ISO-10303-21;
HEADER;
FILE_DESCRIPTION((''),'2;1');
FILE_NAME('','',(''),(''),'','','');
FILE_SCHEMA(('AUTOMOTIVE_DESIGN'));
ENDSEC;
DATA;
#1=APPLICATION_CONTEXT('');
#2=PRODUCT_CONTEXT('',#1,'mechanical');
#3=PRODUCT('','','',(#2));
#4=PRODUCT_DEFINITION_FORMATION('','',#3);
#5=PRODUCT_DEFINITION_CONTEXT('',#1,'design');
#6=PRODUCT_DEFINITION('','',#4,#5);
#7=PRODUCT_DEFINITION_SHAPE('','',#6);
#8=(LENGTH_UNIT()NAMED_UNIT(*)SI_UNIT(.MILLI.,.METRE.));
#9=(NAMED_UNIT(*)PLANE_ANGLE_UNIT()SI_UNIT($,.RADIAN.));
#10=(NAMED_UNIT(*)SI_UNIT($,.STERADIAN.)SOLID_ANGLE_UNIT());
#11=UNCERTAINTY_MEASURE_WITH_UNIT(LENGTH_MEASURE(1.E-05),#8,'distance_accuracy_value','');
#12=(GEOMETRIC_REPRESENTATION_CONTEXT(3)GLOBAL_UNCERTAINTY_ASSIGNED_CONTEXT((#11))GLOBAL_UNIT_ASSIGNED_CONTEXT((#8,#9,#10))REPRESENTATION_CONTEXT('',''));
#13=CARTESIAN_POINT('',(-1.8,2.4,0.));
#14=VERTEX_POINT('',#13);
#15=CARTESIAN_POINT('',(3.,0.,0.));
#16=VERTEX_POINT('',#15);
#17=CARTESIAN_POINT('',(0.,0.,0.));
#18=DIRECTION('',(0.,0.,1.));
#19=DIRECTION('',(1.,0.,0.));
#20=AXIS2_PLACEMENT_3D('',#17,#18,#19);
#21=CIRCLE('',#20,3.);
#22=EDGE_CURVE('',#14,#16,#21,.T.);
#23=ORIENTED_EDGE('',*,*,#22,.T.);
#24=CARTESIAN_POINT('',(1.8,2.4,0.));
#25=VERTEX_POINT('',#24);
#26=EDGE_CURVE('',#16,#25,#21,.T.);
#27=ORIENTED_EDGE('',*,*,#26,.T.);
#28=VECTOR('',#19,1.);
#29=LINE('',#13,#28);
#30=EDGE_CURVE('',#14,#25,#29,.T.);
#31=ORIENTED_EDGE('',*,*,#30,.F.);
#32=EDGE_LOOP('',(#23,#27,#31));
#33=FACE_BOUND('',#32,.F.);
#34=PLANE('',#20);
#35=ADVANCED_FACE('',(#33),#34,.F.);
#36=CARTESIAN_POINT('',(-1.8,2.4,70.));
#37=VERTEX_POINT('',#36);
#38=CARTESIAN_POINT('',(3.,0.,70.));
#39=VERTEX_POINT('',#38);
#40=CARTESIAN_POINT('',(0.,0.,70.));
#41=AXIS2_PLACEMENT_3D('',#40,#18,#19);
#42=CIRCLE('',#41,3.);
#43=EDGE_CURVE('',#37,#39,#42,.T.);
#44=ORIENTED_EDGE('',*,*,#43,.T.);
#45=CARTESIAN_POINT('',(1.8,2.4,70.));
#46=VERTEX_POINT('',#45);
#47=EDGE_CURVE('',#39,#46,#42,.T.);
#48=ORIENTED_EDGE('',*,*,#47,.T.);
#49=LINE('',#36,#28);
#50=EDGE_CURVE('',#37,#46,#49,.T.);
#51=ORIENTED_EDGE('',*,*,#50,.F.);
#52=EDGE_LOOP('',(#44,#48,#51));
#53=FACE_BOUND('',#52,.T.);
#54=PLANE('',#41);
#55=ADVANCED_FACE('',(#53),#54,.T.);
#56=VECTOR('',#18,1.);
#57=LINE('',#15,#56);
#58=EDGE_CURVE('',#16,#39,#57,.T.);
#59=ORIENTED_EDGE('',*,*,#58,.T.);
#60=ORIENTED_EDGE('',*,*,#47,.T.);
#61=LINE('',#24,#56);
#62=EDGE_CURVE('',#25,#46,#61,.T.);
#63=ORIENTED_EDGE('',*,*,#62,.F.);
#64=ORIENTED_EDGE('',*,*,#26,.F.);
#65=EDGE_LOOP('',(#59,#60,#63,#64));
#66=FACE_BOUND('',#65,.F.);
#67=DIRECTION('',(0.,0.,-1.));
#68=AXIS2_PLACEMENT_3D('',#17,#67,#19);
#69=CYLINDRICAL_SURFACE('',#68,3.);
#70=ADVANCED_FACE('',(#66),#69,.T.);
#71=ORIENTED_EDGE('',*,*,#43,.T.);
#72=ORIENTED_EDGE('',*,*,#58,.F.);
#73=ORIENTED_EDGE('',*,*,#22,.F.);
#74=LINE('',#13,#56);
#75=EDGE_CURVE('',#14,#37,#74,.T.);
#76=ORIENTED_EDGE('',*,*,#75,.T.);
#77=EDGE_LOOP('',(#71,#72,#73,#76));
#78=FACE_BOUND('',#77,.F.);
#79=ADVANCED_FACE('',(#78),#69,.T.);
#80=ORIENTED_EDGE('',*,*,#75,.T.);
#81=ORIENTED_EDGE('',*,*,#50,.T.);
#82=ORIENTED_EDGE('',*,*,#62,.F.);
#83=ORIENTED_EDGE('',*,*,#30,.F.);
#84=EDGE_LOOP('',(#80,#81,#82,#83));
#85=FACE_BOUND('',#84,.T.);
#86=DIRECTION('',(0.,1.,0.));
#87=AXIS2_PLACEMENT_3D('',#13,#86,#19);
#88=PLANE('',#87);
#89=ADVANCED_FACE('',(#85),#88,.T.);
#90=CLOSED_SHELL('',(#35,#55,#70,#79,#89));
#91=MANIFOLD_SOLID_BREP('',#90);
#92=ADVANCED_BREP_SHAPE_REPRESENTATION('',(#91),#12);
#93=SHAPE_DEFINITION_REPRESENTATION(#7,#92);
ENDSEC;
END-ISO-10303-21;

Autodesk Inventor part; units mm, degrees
ref_plane "YZ Plane" through (0, 0, 0) normal (1, 0, 0) x (0, 1, 0)
ref_plane "XZ Plane" through (0, 0, 0) normal (0, 1, 0) x (-1, 0, 0)
ref_plane "XY Plane" through (0, 0, 0) normal (0, 0, 1) x (1, 0, 0)
sketch "Sketch1" plane through (0, 0, 0) normal (0, 0, 1) x (1, 0, 0)
  circle A0 centre (0, 0) radius 3
  line L0 (0, 0) -> (0, -3) construction
  line L1 (-1.8, 2.4) -> (1.8, 2.4)
  dimension "d0" = 6
  dimension "d1" = 5.4
extrude "Extrusion1" add sketch "Sketch1" along normal blind 70 contours A0 L1 picked at (0.3021, 0.4498)
properties part number "ServoShaft" material "Stainless Steel"
